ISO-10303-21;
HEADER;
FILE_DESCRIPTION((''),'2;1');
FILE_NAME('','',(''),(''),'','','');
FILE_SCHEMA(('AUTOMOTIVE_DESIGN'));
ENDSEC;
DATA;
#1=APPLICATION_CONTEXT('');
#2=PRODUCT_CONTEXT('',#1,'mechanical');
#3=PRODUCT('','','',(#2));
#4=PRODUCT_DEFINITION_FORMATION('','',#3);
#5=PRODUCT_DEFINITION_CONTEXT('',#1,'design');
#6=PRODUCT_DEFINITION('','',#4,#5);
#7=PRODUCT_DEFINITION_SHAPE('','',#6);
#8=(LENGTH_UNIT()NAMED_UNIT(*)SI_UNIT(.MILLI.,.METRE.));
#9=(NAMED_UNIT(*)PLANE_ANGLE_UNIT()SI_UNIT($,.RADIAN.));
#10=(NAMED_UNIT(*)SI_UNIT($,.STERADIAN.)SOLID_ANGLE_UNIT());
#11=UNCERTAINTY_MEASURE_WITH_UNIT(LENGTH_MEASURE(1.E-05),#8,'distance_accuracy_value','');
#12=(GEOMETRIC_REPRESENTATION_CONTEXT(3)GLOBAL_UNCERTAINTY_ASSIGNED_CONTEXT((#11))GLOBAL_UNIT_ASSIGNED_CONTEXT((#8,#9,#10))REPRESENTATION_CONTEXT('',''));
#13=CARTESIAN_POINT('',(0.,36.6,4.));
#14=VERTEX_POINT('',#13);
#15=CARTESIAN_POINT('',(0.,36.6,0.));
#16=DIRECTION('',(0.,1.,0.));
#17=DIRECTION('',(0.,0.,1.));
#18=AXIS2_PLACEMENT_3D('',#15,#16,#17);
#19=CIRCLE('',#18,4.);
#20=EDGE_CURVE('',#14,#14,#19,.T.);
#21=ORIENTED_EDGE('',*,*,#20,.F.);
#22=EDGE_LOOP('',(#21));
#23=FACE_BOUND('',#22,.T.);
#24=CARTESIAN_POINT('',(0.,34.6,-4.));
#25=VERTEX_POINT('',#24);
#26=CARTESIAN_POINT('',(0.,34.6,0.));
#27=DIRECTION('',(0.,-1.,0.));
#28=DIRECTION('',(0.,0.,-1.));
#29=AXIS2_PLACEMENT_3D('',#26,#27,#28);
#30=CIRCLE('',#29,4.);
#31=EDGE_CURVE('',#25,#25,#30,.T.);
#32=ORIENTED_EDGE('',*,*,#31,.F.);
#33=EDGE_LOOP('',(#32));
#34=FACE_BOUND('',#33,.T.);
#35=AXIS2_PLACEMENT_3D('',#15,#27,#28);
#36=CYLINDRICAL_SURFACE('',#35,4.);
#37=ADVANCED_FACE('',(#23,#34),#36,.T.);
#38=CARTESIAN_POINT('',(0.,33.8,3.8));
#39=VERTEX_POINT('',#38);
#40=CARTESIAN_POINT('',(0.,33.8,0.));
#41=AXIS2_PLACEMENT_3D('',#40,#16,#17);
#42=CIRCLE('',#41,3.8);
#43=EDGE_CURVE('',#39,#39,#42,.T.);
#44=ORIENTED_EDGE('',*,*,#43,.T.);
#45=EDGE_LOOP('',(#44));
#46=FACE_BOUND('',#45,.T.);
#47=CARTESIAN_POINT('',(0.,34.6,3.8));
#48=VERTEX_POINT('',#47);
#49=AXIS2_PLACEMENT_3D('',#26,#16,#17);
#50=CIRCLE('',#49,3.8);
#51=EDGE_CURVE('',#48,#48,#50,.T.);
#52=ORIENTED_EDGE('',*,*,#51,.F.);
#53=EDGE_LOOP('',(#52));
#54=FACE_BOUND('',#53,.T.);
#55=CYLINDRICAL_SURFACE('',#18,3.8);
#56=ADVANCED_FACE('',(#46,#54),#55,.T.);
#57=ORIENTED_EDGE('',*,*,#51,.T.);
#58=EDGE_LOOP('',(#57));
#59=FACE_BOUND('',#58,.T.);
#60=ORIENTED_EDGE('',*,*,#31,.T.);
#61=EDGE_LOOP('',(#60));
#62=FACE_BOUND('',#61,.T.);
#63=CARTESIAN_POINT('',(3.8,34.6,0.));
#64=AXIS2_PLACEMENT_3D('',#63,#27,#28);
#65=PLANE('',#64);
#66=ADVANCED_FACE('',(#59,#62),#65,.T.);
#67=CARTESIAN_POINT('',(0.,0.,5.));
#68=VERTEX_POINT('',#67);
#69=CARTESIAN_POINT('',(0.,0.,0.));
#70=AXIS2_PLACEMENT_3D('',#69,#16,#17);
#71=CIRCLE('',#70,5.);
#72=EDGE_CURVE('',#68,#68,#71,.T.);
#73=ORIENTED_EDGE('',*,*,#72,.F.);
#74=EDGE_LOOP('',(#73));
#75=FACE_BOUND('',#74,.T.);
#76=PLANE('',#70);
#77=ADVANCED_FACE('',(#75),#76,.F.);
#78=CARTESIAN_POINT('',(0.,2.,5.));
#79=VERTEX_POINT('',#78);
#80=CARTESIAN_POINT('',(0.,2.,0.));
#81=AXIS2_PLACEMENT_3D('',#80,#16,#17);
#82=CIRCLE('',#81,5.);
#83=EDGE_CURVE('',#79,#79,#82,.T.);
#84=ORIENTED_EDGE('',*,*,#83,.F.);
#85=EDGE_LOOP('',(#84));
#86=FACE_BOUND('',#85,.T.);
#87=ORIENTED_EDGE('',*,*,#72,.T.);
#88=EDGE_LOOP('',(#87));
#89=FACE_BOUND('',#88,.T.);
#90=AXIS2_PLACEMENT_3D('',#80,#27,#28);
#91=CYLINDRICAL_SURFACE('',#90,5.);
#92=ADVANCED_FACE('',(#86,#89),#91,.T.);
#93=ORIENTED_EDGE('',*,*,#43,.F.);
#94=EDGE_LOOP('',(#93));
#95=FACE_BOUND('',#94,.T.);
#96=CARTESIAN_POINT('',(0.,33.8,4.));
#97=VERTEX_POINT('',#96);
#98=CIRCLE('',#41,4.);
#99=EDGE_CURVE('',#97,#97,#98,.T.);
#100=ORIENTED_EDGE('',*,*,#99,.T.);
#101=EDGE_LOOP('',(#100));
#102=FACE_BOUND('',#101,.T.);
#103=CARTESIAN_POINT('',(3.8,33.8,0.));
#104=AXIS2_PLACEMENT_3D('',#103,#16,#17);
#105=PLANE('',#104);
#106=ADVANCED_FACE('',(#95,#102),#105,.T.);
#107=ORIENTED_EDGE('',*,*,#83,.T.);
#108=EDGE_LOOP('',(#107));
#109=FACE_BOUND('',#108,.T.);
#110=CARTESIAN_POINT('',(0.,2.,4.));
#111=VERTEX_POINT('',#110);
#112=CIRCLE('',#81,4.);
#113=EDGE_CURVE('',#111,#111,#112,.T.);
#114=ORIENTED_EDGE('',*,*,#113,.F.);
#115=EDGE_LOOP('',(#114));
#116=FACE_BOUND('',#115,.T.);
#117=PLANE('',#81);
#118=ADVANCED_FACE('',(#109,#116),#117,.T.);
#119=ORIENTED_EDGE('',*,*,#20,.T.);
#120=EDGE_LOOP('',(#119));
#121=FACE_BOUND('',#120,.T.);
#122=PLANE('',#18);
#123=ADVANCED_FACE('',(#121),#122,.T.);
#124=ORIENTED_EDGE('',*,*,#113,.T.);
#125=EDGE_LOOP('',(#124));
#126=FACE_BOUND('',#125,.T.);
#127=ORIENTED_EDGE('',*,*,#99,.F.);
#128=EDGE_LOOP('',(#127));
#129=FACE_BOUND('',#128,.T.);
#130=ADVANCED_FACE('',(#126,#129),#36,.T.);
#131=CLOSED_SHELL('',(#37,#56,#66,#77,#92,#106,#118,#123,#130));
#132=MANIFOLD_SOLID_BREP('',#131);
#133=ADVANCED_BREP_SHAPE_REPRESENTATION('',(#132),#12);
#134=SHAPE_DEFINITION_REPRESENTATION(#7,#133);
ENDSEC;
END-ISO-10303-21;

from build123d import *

# Parameters (mm, degrees)
SKETCH_1_R      = 5
EXTRUDE_1_DEPTH = 2
SKETCH_2_R      = 4
EXTRUDE_2_DEPTH = 34.6
SKETCH_3_W      = 0.4
SKETCH_3_H      = 0.8


with BuildPart() as part:
    # 草图1 → 凸台-拉伸1 (new body)
    with BuildSketch(Plane(origin=(0, 0, 0), x_dir=(1, 0, 0), z_dir=(0, 1, 0))):
        with Locations(Location((0, 0, 0), (0, 0, 270))):
            Circle(SKETCH_1_R)
    extrude(amount=EXTRUDE_1_DEPTH)

    # 草图2 → 凸台-拉伸2 (add)
    with BuildSketch(Plane(origin=(0, 2, 0), x_dir=(1, 0, 0), z_dir=(0, 1, 0))):
        with Locations(Location((0, 0, 0), (0, 0, 270))):
            Circle(SKETCH_2_R)
    extrude(amount=EXTRUDE_2_DEPTH)

    # 草图3 → 切除-旋转1 (revolve, cut)
    with BuildSketch(Plane.XY, mode=Mode.PRIVATE) as cut_revolve_1_sk:
        with Locations((4, 34.2)):
            Rectangle(SKETCH_3_W, SKETCH_3_H)
    revolve(cut_revolve_1_sk.sketch.rotate(Axis((0, 36.6, 0), (0, -1, 0)), 90), axis=Axis((0, 36.6, 0), (0, -1, 0)), mode=Mode.SUBTRACT)


solid = part.part
